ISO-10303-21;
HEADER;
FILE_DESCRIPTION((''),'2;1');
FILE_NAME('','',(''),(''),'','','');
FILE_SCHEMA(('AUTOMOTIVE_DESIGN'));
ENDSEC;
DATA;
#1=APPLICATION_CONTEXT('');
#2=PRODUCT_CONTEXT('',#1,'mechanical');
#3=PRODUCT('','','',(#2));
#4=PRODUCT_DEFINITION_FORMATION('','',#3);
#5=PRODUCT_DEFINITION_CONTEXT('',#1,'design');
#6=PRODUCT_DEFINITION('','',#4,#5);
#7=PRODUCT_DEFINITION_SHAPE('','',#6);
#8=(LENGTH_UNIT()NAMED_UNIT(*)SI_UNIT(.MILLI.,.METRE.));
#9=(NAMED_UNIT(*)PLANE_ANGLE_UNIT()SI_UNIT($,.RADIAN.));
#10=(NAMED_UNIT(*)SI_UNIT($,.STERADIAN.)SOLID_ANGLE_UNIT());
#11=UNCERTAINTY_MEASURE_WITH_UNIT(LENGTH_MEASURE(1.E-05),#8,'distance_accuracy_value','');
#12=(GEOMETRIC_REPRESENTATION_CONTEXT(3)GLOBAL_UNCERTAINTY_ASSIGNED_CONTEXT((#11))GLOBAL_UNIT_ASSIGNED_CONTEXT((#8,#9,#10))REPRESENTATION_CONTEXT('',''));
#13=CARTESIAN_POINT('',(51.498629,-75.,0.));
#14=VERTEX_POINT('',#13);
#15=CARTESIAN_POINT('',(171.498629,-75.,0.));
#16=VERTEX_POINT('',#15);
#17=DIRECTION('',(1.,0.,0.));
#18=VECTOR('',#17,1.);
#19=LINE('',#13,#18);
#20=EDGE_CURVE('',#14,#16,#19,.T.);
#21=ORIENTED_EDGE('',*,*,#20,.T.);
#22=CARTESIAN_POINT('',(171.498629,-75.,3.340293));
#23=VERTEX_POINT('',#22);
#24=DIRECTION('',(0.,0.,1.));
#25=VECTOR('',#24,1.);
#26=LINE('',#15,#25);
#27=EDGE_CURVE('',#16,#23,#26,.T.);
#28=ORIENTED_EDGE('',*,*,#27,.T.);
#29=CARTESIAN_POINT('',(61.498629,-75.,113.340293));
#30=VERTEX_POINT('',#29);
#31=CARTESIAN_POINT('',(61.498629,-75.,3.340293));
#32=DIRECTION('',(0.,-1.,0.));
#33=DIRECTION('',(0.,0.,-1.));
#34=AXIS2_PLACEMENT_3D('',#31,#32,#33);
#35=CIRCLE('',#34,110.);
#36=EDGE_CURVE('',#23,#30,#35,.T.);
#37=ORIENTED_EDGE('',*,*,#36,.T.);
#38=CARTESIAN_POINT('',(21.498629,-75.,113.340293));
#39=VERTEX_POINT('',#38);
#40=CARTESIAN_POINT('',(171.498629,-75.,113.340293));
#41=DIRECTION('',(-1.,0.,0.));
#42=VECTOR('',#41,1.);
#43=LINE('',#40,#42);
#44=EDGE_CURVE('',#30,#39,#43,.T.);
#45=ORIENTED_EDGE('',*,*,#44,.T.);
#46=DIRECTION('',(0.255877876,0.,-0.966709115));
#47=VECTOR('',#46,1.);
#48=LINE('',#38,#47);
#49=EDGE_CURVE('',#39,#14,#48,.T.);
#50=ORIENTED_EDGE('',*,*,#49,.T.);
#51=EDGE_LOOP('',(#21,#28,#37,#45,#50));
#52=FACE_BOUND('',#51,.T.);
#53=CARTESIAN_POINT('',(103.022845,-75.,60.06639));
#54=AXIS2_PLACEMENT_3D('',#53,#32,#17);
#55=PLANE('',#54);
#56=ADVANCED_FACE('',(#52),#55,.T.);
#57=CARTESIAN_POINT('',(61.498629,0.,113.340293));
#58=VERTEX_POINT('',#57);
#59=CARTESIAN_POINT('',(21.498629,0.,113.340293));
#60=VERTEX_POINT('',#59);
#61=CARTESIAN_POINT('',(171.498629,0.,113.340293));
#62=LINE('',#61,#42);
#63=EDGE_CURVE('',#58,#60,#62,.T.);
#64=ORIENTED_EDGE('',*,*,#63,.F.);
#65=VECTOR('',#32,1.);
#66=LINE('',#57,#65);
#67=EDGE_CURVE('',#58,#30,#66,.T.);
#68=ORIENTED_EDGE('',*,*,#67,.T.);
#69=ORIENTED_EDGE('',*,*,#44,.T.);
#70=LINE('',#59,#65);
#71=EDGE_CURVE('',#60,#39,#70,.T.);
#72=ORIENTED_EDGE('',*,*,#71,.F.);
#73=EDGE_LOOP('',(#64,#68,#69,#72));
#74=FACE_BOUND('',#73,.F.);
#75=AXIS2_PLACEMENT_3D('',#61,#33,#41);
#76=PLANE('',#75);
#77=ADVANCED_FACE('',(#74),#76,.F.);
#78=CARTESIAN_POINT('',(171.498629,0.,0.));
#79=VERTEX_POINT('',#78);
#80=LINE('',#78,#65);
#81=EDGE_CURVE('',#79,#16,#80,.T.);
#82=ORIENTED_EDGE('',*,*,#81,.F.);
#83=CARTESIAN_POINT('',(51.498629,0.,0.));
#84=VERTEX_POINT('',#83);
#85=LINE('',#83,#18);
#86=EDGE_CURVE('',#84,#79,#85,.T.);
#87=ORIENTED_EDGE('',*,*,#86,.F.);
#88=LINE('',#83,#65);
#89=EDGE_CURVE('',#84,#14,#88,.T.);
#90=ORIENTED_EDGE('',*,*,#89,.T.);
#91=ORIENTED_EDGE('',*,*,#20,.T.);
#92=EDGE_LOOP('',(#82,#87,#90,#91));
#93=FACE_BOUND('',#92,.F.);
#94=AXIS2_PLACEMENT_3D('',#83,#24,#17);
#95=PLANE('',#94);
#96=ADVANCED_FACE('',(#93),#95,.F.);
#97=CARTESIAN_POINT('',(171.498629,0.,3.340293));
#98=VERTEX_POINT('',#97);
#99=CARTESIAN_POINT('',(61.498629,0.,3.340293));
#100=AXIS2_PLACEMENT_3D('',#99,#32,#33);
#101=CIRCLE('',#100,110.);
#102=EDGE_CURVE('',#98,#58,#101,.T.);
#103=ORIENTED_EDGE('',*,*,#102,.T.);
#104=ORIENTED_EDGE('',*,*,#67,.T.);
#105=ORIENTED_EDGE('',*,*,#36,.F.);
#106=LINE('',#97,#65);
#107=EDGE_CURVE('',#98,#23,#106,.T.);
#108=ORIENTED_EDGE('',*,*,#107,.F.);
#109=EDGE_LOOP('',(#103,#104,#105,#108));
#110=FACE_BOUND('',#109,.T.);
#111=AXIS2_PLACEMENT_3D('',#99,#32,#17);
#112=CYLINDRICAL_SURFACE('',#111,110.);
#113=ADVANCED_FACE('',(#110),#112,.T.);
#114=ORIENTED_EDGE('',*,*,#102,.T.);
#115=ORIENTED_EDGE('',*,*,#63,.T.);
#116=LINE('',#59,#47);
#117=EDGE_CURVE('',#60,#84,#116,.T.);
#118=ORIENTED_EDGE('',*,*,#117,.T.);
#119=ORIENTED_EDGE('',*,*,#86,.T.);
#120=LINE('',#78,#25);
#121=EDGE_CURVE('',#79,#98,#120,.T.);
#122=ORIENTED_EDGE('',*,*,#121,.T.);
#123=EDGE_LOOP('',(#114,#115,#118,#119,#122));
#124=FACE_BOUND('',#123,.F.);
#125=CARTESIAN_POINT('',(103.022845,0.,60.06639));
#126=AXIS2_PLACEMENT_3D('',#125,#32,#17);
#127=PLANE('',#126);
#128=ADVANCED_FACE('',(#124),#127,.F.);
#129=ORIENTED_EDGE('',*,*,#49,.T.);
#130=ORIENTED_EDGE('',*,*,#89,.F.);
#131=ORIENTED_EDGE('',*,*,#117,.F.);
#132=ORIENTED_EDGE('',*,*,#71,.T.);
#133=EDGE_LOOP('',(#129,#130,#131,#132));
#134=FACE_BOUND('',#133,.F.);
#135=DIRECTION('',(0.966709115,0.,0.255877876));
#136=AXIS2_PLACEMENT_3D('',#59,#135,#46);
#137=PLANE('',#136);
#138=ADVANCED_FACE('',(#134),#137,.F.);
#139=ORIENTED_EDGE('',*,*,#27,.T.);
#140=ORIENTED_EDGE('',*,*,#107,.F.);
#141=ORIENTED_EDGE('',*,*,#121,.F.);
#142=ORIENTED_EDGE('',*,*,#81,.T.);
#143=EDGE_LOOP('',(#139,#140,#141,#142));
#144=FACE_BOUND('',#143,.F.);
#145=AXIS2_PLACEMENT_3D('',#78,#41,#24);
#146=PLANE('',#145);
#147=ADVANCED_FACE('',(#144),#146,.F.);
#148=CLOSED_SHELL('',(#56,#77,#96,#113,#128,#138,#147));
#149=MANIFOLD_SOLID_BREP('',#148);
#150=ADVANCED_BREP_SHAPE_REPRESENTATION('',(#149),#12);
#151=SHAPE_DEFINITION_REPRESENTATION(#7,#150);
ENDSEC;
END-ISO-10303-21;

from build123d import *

# Parameters (mm, degrees)
F1_DEPTH = 75
F2_R     = 110


with BuildPart() as f1:
    # F0 (on Front) → F1 (new body)
    with BuildSketch(Plane.XZ):
        Polygon((21.498629, 113.340293), (51.498629, 0), (171.498629, 0), (171.498629, 113.340293), align=None)
    extrude(amount=F1_DEPTH)

    # F2
    f2_edges = [f1.edges().sort_by_distance(p)[0] for p in [
        (171.498629, -37.5, 113.340293),
    ]]
    fillet(f2_edges, radius=F2_R)


solid = f1.part
